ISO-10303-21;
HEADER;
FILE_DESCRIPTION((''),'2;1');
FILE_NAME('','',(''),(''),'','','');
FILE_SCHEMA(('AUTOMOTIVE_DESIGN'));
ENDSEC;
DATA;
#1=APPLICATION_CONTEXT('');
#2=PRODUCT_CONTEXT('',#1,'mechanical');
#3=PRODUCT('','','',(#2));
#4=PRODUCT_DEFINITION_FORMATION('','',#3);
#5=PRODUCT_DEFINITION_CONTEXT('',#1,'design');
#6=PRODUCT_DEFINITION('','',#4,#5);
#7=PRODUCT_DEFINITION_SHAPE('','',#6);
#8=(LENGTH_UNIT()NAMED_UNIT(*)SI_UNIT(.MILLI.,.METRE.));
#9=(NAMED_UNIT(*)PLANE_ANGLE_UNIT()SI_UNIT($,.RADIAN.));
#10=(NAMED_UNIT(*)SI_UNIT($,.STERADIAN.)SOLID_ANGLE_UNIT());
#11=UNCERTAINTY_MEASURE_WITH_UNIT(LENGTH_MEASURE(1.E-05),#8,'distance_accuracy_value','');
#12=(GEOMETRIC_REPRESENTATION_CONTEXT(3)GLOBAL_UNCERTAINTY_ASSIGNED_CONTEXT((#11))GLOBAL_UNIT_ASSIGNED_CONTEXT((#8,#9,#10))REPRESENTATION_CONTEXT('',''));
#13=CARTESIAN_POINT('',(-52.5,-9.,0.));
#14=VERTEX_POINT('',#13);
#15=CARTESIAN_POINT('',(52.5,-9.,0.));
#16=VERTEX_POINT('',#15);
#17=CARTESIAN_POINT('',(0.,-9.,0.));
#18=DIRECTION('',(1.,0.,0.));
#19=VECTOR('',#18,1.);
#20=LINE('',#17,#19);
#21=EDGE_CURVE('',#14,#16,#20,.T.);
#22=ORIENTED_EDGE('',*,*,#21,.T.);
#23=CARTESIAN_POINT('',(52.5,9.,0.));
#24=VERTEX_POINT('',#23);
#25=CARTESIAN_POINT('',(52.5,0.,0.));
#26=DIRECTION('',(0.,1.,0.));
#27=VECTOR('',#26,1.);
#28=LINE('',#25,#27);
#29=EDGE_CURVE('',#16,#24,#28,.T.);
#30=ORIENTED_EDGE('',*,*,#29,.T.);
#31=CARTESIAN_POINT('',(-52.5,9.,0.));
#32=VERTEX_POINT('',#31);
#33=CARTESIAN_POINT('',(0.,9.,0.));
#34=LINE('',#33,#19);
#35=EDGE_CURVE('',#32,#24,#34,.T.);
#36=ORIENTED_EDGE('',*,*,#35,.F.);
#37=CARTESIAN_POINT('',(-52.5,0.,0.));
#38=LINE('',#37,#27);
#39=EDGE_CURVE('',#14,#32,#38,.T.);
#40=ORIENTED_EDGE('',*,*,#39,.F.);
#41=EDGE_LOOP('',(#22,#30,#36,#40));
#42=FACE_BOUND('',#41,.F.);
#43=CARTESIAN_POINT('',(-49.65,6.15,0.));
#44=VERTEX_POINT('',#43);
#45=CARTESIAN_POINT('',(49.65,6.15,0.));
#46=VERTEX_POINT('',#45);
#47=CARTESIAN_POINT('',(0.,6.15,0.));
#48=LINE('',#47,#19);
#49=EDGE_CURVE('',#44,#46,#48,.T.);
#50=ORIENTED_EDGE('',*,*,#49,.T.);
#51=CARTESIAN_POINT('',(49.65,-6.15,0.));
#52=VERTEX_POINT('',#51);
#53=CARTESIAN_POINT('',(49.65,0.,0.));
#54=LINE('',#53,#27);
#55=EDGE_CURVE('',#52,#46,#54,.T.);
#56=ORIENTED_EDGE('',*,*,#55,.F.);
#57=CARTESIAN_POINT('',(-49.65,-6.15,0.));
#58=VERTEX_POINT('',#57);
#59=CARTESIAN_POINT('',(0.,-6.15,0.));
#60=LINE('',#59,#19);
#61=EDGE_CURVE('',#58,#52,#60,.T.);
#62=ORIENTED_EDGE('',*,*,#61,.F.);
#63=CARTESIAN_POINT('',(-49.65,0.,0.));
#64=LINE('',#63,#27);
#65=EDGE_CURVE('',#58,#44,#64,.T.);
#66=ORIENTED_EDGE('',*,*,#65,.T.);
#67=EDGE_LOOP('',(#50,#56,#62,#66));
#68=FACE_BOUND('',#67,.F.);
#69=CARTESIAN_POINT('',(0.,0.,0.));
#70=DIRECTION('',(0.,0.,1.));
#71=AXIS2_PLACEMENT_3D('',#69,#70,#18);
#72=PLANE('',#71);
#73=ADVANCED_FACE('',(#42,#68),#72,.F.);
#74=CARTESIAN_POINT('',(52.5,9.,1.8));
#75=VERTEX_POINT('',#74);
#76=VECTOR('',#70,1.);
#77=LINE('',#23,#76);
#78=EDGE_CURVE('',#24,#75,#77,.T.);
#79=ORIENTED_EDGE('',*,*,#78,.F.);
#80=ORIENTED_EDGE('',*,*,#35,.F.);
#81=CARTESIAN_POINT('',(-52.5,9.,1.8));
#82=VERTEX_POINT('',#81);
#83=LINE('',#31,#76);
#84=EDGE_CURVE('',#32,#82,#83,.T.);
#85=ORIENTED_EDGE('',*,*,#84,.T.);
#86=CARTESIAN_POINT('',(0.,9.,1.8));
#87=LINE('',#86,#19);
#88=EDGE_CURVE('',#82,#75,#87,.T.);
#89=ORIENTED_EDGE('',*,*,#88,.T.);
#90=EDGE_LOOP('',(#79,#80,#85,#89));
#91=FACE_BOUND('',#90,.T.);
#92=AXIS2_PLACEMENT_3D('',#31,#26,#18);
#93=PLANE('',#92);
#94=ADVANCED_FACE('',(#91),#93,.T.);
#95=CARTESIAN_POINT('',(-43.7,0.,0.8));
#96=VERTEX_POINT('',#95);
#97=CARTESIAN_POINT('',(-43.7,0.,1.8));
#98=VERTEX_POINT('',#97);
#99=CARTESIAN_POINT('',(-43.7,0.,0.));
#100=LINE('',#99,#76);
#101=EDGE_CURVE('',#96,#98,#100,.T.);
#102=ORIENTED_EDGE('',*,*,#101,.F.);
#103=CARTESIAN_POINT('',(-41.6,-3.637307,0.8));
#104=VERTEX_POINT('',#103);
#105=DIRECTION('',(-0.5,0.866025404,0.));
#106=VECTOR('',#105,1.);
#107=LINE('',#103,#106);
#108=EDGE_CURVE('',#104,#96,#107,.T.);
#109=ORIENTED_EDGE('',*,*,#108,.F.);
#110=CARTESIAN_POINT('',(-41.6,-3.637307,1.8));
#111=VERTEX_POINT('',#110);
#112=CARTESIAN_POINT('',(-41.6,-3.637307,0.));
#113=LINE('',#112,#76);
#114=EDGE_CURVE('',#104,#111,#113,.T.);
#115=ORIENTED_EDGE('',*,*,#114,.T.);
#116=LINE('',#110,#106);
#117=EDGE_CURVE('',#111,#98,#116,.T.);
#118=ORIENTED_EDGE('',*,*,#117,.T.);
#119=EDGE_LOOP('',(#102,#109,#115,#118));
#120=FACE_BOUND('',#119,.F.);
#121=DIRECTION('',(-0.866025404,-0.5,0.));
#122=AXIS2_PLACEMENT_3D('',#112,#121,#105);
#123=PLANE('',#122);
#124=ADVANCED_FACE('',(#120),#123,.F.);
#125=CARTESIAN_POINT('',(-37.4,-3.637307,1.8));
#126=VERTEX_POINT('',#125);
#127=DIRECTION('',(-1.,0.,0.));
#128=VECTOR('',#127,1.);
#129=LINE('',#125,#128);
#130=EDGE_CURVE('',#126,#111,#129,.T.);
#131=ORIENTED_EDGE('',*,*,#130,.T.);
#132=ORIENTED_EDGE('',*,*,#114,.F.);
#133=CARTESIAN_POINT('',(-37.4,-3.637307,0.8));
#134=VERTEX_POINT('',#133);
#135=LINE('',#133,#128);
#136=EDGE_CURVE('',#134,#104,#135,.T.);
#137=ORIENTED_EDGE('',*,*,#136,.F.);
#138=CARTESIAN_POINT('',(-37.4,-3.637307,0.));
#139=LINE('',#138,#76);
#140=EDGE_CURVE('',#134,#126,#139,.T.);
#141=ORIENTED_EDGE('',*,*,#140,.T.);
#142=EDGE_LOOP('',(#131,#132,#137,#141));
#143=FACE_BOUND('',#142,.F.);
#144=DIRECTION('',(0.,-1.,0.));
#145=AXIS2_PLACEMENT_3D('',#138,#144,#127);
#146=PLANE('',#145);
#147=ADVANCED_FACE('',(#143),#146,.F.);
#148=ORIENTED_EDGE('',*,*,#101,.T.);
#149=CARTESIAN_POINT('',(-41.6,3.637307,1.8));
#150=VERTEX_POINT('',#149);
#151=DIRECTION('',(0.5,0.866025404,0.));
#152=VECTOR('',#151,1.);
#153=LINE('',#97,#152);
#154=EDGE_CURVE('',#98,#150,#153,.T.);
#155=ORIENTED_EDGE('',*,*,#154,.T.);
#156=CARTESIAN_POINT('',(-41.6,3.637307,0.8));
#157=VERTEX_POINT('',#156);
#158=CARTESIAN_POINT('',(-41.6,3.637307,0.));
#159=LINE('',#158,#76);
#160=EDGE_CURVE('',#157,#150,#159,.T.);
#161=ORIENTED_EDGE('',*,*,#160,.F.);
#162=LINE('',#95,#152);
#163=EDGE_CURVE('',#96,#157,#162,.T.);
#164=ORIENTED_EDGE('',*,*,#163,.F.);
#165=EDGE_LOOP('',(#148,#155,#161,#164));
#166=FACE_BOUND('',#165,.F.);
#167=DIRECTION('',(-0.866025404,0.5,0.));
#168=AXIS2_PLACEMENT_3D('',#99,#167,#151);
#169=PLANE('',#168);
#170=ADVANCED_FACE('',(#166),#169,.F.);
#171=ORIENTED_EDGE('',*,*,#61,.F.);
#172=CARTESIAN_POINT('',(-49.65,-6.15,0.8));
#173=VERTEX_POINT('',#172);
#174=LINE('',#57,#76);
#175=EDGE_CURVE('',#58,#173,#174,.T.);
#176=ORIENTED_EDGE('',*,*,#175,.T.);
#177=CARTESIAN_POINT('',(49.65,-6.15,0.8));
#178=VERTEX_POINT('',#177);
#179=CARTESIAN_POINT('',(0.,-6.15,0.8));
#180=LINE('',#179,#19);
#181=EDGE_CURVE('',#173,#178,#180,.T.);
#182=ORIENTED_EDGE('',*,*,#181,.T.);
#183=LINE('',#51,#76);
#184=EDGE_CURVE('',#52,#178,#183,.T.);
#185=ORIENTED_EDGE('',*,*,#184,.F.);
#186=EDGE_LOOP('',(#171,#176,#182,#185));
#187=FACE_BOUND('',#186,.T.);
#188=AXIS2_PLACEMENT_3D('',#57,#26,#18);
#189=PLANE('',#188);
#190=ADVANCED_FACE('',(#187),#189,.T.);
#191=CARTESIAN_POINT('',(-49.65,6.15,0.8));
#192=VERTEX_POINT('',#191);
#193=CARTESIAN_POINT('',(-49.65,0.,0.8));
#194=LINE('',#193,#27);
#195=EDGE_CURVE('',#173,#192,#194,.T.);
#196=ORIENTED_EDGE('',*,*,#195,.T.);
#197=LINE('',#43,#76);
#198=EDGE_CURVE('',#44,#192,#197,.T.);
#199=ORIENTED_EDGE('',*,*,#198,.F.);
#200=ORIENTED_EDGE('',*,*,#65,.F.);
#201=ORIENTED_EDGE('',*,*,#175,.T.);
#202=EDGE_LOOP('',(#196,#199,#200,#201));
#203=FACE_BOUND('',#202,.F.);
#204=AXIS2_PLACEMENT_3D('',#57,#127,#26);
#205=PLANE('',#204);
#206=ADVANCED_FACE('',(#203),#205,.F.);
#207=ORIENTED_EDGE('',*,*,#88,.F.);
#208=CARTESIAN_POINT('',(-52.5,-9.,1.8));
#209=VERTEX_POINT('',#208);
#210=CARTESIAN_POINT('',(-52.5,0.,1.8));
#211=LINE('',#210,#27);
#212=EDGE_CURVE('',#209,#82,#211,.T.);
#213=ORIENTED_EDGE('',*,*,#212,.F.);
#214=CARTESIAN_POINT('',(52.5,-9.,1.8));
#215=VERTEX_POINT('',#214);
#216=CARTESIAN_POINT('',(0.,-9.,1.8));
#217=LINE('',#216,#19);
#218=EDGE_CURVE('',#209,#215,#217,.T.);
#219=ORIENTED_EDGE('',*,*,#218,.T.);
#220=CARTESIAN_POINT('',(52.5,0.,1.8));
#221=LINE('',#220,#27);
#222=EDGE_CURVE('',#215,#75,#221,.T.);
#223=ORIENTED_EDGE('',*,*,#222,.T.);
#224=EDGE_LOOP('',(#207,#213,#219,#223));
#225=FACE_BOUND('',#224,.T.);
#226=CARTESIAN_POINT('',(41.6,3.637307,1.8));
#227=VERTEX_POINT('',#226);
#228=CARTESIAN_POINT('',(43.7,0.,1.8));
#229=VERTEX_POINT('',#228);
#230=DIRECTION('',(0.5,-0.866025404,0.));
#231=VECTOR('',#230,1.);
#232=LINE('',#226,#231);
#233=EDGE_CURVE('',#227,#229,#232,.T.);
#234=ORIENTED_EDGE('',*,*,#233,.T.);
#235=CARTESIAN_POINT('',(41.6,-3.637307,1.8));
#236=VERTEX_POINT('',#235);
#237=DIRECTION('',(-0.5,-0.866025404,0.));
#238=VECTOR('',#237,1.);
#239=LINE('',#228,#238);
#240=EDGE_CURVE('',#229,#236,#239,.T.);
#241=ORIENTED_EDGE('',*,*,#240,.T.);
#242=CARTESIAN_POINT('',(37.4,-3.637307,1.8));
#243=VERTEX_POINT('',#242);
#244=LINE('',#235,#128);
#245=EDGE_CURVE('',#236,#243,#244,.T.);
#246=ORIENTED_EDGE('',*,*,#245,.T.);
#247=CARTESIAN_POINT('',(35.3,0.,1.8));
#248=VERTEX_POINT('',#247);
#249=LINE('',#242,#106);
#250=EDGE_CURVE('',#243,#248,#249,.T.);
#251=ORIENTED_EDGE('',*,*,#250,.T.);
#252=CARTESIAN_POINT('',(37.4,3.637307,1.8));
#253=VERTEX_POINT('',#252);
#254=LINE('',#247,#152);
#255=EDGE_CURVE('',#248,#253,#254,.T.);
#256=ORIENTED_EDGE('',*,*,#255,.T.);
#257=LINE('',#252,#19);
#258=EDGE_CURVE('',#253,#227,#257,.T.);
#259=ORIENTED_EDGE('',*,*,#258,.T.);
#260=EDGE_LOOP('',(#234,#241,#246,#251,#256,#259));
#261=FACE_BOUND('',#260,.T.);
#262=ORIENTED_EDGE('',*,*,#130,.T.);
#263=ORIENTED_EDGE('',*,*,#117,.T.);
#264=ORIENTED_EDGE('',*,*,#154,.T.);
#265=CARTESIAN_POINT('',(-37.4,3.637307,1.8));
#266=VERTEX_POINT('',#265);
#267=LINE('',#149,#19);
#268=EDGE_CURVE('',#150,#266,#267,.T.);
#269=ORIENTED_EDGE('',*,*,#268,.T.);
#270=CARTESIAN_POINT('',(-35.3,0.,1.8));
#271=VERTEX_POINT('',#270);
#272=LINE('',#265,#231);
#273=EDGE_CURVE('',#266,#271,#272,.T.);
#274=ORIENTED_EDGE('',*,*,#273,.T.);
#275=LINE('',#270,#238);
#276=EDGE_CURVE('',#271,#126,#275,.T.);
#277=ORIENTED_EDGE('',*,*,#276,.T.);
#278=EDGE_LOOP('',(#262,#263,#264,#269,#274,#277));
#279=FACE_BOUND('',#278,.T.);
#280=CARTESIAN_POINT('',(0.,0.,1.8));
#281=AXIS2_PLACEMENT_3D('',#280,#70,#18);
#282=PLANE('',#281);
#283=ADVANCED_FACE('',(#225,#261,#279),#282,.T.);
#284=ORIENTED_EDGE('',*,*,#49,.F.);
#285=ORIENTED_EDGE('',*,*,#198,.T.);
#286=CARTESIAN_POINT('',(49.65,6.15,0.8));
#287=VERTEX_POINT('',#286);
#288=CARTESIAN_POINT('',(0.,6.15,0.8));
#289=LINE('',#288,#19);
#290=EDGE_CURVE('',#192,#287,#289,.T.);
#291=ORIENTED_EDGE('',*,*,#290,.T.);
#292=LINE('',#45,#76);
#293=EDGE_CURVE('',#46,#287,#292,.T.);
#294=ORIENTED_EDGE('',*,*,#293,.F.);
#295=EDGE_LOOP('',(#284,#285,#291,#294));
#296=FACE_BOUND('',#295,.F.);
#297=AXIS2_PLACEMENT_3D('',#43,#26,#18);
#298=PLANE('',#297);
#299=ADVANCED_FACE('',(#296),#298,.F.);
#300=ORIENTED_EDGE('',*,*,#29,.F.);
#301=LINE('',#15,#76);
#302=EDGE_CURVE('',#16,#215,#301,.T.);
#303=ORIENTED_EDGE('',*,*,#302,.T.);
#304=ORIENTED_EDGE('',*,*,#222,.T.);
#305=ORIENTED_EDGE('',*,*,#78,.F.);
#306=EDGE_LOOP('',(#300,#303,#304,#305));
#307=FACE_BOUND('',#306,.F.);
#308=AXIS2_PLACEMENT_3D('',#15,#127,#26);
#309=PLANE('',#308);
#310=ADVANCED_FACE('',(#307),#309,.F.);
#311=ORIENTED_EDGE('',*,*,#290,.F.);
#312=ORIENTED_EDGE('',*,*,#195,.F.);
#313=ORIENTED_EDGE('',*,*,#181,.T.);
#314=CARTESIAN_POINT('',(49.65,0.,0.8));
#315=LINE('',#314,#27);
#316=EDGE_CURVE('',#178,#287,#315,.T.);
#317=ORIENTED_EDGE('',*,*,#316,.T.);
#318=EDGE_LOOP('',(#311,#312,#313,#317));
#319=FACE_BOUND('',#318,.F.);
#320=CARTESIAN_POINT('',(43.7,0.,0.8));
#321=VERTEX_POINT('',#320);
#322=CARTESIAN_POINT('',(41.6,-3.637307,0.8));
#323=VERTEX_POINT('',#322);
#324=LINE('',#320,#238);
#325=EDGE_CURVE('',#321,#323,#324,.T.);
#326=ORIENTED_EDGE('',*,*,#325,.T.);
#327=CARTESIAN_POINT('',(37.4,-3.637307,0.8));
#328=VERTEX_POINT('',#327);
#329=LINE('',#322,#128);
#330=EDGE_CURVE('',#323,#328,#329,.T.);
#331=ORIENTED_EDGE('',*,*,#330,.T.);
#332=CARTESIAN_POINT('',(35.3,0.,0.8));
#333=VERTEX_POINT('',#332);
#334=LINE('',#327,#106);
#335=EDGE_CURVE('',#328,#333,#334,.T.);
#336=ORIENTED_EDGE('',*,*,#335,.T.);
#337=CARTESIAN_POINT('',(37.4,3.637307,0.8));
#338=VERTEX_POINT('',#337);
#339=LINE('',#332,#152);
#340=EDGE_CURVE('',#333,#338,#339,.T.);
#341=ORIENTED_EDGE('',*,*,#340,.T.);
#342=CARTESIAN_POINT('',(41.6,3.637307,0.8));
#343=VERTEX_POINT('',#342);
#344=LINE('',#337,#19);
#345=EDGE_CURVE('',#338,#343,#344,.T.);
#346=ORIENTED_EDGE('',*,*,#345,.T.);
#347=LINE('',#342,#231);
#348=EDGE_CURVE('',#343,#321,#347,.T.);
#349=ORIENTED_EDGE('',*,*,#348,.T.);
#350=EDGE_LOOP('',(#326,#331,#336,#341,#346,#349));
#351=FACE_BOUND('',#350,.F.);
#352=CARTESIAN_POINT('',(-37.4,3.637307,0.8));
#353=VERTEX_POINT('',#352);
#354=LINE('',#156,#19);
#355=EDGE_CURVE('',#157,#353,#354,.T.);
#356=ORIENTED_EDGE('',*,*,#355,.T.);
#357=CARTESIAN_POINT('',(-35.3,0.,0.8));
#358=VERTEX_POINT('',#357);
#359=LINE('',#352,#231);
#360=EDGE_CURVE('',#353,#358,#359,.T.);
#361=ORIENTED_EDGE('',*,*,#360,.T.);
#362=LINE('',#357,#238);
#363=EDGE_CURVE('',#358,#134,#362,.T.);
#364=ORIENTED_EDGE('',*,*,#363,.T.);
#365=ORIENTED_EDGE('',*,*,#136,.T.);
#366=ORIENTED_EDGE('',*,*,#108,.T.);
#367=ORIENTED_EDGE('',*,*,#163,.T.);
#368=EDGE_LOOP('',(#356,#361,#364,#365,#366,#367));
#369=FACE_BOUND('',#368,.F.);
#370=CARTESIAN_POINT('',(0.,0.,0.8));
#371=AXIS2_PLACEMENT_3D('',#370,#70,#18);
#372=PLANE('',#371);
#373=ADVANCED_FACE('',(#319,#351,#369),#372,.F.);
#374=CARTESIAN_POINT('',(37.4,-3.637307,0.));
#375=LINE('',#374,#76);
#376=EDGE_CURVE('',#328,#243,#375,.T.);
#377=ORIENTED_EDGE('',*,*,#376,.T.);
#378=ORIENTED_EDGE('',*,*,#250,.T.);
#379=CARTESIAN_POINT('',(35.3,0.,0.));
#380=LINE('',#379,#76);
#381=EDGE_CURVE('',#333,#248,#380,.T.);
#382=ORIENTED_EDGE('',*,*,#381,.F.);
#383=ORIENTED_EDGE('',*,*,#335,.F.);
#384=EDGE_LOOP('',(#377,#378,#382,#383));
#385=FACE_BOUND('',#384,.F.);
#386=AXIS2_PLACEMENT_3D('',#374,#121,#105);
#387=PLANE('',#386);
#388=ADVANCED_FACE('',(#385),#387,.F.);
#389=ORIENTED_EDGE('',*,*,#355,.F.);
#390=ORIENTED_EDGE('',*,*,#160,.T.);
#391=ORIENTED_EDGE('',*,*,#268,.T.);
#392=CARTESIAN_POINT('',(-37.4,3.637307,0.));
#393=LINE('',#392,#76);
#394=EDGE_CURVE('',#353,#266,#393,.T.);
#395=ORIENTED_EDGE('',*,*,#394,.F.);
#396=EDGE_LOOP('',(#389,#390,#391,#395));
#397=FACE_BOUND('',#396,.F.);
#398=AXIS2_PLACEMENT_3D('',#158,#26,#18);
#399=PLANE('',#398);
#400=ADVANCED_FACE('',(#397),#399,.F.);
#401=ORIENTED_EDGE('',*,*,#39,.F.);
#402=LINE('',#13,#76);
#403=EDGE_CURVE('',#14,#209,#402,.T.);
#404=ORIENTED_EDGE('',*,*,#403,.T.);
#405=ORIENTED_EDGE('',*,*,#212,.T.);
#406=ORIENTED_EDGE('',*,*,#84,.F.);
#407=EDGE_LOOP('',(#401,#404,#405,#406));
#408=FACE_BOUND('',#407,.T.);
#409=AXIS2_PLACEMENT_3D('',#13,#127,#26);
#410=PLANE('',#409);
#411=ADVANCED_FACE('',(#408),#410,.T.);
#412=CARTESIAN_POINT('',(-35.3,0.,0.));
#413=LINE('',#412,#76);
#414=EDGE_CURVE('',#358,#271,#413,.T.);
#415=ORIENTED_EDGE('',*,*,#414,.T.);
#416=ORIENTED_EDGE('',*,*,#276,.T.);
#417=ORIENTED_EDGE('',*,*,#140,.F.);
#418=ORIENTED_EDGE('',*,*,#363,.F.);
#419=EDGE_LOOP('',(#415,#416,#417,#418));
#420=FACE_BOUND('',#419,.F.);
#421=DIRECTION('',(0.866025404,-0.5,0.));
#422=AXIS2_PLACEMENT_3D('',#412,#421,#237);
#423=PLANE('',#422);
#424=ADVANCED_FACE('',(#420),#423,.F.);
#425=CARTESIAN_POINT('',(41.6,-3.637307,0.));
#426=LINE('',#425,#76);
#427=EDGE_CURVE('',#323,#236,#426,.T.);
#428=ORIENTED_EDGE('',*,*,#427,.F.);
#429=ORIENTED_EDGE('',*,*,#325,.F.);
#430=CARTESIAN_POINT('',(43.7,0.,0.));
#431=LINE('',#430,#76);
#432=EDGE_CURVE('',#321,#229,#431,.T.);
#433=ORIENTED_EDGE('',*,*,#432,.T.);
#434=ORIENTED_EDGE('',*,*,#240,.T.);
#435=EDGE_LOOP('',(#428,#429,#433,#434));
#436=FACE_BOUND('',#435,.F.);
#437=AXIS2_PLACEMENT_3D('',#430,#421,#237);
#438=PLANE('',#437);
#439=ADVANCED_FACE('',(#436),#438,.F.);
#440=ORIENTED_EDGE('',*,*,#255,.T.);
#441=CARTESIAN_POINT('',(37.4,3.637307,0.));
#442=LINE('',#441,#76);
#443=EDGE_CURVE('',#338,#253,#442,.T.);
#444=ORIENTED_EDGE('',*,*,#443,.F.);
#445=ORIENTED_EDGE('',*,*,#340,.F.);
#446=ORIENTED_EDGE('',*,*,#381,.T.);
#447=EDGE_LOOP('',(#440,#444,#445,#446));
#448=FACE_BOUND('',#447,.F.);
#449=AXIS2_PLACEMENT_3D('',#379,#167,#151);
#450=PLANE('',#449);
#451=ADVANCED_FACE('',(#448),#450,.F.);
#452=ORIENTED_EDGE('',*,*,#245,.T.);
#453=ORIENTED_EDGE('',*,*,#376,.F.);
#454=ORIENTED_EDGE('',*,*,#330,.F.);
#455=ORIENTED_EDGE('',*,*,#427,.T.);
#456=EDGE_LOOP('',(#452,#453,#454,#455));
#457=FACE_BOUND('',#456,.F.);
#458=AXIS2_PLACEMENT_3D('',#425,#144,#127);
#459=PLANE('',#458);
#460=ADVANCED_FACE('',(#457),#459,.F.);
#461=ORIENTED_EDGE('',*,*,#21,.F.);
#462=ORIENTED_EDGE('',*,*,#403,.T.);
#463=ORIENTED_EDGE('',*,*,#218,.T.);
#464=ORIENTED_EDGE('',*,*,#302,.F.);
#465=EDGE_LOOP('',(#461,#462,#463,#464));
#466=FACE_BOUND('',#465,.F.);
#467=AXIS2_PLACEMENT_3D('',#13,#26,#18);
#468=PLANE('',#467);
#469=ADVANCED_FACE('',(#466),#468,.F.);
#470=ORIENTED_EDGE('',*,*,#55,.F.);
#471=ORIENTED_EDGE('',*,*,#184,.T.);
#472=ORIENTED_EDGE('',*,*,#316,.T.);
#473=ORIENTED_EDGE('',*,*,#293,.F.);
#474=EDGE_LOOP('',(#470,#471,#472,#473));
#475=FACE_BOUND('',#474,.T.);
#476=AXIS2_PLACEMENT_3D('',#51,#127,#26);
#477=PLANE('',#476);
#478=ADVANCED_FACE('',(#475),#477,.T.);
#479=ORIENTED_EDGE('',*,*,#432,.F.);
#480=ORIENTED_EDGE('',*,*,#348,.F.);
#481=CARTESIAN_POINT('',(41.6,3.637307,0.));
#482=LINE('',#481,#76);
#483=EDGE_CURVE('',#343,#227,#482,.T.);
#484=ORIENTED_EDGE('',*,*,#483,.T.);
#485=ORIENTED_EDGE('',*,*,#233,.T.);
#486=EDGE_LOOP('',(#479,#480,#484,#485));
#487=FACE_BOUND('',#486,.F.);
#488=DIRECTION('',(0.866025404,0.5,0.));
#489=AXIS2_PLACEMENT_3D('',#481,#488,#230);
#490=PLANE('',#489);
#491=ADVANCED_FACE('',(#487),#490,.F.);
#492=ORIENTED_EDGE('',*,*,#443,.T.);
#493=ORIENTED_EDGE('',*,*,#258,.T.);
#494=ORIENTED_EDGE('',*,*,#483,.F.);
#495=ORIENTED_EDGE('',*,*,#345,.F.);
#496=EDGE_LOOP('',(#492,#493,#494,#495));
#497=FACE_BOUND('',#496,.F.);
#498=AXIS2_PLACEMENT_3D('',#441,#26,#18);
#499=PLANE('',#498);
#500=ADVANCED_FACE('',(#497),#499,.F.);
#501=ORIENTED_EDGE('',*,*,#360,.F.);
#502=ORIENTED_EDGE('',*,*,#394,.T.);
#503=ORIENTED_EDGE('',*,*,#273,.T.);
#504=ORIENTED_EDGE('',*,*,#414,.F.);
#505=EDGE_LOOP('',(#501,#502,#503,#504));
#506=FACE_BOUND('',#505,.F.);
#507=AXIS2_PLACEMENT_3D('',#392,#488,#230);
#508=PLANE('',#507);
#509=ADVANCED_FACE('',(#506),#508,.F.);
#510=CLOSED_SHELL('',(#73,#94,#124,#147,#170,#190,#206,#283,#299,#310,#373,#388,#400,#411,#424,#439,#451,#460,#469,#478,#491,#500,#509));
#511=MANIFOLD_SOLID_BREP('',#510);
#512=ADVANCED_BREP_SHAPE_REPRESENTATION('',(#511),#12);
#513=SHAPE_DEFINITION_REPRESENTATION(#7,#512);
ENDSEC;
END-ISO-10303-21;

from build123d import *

# Parameters (mm, degrees)
F0_W     = 105
F0_H     = 18
F0_W_2   = 99.3
F0_H_2   = 12.3
F1_DEPTH = 1.8
F2_DEPTH = 0.8


with BuildPart() as f1:
    # F0 (on Top) → F1 (new body)
    with BuildSketch(Plane.XY):
        Rectangle(F0_W, F0_H)
        Rectangle(F0_W_2, F0_H_2, mode=Mode.SUBTRACT)
        Rectangle(F0_W_2, F0_H_2)
        Polygon((-41.6, -3.6373066959), (-43.7, 0), (-41.6, 3.6373066959), (-37.4, 3.6373066959), (-35.3, 0), (-37.4, -3.6373066959), align=None, mode=Mode.SUBTRACT)
        Polygon((37.4, -3.6373066959), (35.3, 0), (37.4, 3.6373066959), (41.6, 3.6373066959), (43.7, 0), (41.6, -3.6373066959), align=None, mode=Mode.SUBTRACT)
    extrude(amount=F1_DEPTH)

    # F0 (on Top) → F2 (cut)
    with BuildSketch(Plane.XY):
        Rectangle(F0_W_2, F0_H_2)
        Polygon((-41.6, -3.6373066959), (-43.7, 0), (-41.6, 3.6373066959), (-37.4, 3.6373066959), (-35.3, 0), (-37.4, -3.6373066959), align=None, mode=Mode.SUBTRACT)
        Polygon((37.4, -3.6373066959), (35.3, 0), (37.4, 3.6373066959), (41.6, 3.6373066959), (43.7, 0), (41.6, -3.6373066959), align=None, mode=Mode.SUBTRACT)
    extrude(amount=F2_DEPTH, mode=Mode.SUBTRACT)


solid = f1.part
